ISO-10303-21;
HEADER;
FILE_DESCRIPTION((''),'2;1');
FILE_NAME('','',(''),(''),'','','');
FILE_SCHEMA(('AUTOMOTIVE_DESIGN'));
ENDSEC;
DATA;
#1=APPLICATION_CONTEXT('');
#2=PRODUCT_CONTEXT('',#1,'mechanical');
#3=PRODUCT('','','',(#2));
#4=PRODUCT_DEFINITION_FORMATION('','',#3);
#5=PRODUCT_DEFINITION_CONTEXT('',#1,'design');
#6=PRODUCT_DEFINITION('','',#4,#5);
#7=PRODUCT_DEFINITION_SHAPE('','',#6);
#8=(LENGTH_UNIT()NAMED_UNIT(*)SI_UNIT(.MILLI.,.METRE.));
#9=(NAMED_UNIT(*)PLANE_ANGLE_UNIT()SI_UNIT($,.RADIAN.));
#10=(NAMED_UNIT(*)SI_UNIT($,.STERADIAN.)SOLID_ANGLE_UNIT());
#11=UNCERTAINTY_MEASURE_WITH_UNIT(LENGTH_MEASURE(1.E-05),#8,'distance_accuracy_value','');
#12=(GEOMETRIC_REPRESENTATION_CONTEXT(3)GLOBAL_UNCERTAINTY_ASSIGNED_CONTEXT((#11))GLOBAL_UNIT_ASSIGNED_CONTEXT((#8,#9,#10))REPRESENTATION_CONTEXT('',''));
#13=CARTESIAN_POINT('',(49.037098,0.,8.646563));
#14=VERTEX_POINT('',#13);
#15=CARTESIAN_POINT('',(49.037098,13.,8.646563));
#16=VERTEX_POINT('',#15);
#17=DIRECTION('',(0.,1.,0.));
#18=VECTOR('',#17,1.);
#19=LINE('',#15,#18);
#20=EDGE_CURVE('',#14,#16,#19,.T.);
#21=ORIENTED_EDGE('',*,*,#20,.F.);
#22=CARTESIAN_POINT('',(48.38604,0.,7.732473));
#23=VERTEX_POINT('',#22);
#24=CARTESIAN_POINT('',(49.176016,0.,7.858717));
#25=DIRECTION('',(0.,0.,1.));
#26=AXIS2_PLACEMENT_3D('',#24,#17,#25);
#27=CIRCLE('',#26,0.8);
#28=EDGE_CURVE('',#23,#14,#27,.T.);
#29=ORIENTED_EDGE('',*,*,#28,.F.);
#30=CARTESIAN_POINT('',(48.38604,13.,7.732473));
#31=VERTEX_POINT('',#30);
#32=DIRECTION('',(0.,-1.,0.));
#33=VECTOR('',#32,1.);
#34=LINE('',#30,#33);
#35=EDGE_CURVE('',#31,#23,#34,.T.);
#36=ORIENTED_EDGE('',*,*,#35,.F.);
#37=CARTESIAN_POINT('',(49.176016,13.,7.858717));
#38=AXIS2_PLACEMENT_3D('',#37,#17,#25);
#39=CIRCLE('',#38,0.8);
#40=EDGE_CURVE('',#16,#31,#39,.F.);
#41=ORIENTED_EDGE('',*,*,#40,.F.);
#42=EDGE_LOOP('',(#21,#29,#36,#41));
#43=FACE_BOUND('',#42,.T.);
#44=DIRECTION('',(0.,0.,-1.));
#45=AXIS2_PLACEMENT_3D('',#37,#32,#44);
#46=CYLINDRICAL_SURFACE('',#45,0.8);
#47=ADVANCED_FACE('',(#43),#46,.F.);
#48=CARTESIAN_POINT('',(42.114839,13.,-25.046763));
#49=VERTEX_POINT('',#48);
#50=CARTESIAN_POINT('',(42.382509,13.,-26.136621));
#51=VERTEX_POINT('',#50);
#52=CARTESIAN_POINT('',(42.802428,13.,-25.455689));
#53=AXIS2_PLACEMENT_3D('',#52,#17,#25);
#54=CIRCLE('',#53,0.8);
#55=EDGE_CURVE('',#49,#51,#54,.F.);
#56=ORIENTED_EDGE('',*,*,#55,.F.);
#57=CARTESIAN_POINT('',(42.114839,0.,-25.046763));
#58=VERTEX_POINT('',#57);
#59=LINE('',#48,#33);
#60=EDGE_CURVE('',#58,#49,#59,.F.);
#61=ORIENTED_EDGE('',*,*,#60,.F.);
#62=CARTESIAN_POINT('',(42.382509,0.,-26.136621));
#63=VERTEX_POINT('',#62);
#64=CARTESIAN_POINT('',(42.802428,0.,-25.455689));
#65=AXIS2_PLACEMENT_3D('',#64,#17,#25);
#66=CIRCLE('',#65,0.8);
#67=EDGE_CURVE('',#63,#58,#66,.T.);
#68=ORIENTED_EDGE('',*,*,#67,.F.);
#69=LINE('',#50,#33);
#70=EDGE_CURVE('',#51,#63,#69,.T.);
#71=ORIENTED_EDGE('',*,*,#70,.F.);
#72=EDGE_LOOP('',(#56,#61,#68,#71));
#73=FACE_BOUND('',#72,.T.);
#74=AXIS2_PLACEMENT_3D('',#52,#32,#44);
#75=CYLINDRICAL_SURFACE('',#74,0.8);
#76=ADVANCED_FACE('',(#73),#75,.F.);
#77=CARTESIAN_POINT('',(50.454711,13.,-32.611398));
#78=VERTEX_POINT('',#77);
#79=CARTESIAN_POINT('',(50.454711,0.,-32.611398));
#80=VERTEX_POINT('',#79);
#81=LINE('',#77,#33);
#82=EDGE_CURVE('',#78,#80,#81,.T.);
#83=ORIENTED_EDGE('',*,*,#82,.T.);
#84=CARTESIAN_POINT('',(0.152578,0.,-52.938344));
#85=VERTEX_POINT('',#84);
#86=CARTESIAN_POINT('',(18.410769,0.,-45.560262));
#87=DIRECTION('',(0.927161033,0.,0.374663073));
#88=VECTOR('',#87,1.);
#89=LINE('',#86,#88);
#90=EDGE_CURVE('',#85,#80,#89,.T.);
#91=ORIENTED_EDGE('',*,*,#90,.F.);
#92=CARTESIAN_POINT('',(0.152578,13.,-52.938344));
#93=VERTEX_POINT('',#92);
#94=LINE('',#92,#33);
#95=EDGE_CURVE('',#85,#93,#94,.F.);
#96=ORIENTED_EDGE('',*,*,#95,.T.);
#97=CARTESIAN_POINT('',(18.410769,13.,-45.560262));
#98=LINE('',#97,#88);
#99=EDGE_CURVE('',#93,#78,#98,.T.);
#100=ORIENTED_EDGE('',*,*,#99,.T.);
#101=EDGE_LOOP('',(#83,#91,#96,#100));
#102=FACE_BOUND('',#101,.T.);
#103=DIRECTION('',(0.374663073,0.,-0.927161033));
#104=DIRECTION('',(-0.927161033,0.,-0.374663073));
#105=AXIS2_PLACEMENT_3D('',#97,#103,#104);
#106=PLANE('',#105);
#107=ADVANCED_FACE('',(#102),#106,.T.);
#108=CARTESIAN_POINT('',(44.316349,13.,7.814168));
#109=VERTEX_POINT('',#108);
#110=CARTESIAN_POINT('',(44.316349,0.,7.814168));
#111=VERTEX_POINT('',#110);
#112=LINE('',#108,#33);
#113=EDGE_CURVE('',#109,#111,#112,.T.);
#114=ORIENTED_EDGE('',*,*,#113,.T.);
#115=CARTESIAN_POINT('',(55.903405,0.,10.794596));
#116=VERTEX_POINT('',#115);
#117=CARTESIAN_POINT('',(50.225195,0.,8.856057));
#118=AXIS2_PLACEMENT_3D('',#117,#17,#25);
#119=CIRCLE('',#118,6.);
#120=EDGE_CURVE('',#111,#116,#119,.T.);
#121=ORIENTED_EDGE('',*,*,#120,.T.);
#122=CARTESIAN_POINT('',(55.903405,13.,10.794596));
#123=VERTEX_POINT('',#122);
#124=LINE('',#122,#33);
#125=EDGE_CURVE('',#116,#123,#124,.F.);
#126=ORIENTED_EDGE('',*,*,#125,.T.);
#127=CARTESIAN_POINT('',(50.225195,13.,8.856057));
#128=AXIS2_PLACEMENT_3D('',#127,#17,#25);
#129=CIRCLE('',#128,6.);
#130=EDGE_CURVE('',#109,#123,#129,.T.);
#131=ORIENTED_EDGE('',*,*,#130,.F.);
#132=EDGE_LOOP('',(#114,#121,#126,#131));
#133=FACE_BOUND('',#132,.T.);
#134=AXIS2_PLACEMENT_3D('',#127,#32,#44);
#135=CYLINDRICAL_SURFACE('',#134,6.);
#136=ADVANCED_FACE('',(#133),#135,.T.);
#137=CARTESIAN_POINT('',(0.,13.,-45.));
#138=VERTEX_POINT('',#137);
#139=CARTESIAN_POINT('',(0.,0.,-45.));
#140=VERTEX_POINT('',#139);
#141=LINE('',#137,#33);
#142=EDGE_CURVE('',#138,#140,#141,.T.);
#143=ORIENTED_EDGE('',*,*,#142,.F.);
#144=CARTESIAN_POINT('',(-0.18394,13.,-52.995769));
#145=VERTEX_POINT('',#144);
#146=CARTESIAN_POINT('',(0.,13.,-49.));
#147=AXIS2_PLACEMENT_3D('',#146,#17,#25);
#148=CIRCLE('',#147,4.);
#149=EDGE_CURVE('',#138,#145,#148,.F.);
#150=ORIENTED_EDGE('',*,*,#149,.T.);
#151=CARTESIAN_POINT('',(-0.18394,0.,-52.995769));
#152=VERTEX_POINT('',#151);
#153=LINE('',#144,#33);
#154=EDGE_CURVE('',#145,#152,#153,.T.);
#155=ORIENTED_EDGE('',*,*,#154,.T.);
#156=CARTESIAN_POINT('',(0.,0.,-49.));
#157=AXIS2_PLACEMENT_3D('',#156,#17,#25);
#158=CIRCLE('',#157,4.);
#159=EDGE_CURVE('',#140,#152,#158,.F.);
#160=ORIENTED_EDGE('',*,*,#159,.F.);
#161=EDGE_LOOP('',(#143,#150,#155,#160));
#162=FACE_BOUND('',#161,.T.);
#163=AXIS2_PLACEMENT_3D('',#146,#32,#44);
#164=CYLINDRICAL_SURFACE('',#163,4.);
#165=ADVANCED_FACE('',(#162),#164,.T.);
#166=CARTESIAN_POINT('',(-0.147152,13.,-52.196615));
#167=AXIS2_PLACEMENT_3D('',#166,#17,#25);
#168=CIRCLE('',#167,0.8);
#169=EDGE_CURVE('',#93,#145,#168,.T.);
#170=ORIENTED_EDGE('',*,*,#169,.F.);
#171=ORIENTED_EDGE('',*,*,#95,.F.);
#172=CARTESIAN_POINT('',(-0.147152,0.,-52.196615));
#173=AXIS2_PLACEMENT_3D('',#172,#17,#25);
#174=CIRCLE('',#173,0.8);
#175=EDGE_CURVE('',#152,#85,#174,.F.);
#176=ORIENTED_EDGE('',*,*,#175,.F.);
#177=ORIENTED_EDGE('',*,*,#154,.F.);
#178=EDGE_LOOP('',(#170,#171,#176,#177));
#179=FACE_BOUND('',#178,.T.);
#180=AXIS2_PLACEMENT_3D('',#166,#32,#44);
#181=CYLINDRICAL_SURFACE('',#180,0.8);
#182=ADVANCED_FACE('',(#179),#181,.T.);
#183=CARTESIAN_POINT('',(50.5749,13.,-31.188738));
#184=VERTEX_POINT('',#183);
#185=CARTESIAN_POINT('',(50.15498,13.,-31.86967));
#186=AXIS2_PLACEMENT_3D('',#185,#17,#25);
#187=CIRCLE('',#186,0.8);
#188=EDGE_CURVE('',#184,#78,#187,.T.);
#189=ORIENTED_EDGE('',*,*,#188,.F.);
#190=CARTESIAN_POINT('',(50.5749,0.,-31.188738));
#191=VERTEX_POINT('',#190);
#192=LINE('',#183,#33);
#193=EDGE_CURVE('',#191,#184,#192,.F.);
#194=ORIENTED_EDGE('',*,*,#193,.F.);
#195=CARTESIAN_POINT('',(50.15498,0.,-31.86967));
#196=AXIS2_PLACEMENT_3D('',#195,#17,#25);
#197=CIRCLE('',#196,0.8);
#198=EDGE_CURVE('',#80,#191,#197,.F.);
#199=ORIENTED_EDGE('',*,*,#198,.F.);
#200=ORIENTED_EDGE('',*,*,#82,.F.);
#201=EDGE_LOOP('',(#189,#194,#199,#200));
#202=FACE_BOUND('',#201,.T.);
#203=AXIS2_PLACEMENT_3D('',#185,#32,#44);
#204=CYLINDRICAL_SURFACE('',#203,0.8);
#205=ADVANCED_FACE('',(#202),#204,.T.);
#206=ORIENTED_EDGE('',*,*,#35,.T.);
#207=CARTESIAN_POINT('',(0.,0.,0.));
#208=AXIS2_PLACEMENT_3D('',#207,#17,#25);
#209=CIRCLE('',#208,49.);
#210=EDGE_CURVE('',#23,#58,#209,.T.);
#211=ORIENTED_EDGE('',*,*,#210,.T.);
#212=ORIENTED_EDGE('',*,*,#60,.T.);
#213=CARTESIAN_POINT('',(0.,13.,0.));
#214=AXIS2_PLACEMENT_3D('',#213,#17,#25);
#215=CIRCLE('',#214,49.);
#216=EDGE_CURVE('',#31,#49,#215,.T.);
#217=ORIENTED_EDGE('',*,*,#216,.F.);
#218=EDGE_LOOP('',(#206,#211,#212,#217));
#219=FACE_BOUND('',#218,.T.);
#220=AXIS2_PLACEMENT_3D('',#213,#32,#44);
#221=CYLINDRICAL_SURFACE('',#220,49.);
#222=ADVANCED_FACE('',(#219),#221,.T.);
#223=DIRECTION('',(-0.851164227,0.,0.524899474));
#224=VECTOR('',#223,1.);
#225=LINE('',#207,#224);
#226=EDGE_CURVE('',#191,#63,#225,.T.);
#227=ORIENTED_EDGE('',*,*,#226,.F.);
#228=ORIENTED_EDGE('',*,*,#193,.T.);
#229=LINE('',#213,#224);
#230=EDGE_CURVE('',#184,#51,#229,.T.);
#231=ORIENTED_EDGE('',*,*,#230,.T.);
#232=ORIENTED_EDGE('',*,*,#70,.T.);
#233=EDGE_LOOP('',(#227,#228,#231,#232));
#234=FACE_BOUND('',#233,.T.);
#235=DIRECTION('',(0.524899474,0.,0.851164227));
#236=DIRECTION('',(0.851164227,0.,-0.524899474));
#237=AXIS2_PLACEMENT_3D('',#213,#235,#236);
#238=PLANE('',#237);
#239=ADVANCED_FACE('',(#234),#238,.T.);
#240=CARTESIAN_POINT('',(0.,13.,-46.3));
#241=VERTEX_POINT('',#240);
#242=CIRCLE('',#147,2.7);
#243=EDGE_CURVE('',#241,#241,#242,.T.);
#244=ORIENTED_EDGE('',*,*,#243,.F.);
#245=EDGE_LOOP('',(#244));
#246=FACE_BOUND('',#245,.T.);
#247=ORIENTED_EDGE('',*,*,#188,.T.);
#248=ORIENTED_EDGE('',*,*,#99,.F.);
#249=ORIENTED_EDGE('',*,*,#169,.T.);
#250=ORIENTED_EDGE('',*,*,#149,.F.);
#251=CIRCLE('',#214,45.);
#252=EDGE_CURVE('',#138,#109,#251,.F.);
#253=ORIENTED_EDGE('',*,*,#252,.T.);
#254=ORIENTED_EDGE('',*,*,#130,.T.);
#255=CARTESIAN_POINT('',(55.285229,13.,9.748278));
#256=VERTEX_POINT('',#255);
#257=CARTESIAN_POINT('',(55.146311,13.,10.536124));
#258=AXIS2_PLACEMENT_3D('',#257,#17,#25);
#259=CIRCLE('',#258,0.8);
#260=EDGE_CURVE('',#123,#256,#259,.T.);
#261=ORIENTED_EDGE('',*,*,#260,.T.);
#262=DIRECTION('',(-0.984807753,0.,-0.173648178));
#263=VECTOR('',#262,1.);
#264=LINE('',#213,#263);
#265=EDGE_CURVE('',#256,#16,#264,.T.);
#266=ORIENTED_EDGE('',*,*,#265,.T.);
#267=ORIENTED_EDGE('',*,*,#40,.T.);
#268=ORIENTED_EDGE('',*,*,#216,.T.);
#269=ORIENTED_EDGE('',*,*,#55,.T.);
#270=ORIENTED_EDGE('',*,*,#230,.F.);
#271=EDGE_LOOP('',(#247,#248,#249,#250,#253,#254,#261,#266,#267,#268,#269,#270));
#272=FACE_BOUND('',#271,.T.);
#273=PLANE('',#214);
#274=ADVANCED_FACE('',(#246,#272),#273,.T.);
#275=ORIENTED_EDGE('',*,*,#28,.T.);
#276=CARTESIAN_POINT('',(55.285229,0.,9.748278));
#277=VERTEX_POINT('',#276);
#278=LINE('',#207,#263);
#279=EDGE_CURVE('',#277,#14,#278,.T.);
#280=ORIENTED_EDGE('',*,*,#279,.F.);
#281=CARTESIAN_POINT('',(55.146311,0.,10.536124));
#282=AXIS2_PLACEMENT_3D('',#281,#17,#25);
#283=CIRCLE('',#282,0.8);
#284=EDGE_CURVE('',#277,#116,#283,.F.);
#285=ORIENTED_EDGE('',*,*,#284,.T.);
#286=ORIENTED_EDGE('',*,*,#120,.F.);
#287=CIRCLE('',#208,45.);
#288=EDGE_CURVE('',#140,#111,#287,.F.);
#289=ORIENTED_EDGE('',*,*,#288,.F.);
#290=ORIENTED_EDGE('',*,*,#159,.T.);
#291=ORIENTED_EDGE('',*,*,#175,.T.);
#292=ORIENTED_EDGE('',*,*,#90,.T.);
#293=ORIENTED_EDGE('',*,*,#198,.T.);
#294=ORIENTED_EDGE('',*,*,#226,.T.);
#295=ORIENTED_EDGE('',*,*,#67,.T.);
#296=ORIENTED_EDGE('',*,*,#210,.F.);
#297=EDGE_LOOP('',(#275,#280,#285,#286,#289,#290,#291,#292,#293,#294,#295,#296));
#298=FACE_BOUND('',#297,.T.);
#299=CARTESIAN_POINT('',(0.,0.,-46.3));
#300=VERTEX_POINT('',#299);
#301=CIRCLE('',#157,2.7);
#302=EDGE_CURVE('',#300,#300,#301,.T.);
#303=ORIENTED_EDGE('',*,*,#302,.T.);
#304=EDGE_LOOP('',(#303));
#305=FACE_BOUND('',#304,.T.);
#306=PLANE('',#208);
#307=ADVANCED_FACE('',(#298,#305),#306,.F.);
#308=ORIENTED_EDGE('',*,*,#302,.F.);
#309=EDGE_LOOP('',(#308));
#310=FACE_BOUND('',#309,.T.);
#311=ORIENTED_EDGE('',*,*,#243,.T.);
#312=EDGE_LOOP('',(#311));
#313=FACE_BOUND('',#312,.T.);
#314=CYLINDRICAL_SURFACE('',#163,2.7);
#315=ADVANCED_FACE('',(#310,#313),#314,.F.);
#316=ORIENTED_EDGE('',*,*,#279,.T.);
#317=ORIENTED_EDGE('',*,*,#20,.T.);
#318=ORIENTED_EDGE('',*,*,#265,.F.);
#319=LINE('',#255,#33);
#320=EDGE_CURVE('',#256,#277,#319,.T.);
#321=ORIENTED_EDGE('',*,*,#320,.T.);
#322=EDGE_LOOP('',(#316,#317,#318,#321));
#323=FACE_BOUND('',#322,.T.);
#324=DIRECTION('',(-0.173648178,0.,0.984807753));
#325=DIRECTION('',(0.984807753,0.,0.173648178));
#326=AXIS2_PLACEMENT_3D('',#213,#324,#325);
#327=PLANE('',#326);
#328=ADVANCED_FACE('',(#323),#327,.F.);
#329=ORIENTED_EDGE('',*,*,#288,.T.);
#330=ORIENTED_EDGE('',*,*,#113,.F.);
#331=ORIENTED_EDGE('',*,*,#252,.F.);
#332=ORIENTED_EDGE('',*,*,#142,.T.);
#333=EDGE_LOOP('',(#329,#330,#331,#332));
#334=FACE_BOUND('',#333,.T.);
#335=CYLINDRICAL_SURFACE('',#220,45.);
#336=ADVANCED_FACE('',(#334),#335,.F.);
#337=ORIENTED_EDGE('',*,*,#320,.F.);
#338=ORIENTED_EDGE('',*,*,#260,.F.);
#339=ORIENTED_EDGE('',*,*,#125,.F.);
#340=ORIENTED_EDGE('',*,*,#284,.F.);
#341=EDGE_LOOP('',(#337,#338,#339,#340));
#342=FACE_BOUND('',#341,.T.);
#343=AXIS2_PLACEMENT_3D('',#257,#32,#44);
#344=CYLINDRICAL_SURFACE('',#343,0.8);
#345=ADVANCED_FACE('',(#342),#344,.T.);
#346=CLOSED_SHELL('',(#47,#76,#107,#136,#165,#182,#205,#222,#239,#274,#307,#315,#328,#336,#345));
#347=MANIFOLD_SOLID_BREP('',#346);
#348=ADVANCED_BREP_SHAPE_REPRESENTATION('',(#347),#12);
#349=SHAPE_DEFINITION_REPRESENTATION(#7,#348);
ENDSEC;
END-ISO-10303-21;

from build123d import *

# Parameters (mm, degrees)
BOSS_EXTRUDE1_DEPTH = 13
FILLET1_R           = 0.8


with BuildPart() as part:
    # Sketch1 → Boss-Extrude1 (new body)
    with BuildSketch(Plane(origin=(0, 0, 0), x_dir=(1, 0, 0), z_dir=(0, 1, 0))):
        with BuildLine():
            Line((0, 51.7), (0, 53))
            ThreePointArc((0, 53), (-4, 49), (0, 45))
            ThreePointArc((0, 45), (34.47199994, 28.925442436), (44.316348886, -7.814167995))
            ThreePointArc((44.316348886, -7.814167995), (49.183306338, -14.764903579), (56.134041922, -9.897946127))
            Line((56.134041922, -9.897946127), (48.255579898, -8.508760706))
            ThreePointArc((48.255579898, -8.508760706), (48.127142564, 9.207505018), (41.707047143, 25.720074234))
            ThreePointArc((41.707047143, 25.720074234), (25.051905135, 42.111780407), (2.698975076, 48.925612245))
            ThreePointArc((2.698975076, 48.925612245), (-1.935309657, 47.117295421), (0, 51.7))
        make_face()
        with BuildLine():
            Line((51.921017872, 32.018867925), (0, 53))
            Line((0, 53), (0, 51.7))
            ThreePointArc((0, 51.7), (1.909188309, 50.909188309), (2.7, 49))
            ThreePointArc((2.7, 49), (2.699743757, 48.962802592), (2.698975076, 48.925612245))
            ThreePointArc((2.698975076, 48.925612245), (25.051905135, 42.111780407), (41.707047143, 25.720074234))
            Line((41.707047143, 25.720074234), (51.921017872, 32.018867925))
        make_face()
    extrude(amount=BOSS_EXTRUDE1_DEPTH)

    # Fillet1
    fillet1_edges = [part.edges().sort_by_distance(p)[0] for p in [
        (0, 6.5, -53),
        (51.921017872, 6.5, -32.018867925),
        (41.707047143, 6.5, -25.720074234),
        (48.255579898, 6.5, 8.508760706),
        (56.134041922, 6.5, 9.897946127),
    ]]
    fillet(fillet1_edges, radius=FILLET1_R)


solid = part.part
